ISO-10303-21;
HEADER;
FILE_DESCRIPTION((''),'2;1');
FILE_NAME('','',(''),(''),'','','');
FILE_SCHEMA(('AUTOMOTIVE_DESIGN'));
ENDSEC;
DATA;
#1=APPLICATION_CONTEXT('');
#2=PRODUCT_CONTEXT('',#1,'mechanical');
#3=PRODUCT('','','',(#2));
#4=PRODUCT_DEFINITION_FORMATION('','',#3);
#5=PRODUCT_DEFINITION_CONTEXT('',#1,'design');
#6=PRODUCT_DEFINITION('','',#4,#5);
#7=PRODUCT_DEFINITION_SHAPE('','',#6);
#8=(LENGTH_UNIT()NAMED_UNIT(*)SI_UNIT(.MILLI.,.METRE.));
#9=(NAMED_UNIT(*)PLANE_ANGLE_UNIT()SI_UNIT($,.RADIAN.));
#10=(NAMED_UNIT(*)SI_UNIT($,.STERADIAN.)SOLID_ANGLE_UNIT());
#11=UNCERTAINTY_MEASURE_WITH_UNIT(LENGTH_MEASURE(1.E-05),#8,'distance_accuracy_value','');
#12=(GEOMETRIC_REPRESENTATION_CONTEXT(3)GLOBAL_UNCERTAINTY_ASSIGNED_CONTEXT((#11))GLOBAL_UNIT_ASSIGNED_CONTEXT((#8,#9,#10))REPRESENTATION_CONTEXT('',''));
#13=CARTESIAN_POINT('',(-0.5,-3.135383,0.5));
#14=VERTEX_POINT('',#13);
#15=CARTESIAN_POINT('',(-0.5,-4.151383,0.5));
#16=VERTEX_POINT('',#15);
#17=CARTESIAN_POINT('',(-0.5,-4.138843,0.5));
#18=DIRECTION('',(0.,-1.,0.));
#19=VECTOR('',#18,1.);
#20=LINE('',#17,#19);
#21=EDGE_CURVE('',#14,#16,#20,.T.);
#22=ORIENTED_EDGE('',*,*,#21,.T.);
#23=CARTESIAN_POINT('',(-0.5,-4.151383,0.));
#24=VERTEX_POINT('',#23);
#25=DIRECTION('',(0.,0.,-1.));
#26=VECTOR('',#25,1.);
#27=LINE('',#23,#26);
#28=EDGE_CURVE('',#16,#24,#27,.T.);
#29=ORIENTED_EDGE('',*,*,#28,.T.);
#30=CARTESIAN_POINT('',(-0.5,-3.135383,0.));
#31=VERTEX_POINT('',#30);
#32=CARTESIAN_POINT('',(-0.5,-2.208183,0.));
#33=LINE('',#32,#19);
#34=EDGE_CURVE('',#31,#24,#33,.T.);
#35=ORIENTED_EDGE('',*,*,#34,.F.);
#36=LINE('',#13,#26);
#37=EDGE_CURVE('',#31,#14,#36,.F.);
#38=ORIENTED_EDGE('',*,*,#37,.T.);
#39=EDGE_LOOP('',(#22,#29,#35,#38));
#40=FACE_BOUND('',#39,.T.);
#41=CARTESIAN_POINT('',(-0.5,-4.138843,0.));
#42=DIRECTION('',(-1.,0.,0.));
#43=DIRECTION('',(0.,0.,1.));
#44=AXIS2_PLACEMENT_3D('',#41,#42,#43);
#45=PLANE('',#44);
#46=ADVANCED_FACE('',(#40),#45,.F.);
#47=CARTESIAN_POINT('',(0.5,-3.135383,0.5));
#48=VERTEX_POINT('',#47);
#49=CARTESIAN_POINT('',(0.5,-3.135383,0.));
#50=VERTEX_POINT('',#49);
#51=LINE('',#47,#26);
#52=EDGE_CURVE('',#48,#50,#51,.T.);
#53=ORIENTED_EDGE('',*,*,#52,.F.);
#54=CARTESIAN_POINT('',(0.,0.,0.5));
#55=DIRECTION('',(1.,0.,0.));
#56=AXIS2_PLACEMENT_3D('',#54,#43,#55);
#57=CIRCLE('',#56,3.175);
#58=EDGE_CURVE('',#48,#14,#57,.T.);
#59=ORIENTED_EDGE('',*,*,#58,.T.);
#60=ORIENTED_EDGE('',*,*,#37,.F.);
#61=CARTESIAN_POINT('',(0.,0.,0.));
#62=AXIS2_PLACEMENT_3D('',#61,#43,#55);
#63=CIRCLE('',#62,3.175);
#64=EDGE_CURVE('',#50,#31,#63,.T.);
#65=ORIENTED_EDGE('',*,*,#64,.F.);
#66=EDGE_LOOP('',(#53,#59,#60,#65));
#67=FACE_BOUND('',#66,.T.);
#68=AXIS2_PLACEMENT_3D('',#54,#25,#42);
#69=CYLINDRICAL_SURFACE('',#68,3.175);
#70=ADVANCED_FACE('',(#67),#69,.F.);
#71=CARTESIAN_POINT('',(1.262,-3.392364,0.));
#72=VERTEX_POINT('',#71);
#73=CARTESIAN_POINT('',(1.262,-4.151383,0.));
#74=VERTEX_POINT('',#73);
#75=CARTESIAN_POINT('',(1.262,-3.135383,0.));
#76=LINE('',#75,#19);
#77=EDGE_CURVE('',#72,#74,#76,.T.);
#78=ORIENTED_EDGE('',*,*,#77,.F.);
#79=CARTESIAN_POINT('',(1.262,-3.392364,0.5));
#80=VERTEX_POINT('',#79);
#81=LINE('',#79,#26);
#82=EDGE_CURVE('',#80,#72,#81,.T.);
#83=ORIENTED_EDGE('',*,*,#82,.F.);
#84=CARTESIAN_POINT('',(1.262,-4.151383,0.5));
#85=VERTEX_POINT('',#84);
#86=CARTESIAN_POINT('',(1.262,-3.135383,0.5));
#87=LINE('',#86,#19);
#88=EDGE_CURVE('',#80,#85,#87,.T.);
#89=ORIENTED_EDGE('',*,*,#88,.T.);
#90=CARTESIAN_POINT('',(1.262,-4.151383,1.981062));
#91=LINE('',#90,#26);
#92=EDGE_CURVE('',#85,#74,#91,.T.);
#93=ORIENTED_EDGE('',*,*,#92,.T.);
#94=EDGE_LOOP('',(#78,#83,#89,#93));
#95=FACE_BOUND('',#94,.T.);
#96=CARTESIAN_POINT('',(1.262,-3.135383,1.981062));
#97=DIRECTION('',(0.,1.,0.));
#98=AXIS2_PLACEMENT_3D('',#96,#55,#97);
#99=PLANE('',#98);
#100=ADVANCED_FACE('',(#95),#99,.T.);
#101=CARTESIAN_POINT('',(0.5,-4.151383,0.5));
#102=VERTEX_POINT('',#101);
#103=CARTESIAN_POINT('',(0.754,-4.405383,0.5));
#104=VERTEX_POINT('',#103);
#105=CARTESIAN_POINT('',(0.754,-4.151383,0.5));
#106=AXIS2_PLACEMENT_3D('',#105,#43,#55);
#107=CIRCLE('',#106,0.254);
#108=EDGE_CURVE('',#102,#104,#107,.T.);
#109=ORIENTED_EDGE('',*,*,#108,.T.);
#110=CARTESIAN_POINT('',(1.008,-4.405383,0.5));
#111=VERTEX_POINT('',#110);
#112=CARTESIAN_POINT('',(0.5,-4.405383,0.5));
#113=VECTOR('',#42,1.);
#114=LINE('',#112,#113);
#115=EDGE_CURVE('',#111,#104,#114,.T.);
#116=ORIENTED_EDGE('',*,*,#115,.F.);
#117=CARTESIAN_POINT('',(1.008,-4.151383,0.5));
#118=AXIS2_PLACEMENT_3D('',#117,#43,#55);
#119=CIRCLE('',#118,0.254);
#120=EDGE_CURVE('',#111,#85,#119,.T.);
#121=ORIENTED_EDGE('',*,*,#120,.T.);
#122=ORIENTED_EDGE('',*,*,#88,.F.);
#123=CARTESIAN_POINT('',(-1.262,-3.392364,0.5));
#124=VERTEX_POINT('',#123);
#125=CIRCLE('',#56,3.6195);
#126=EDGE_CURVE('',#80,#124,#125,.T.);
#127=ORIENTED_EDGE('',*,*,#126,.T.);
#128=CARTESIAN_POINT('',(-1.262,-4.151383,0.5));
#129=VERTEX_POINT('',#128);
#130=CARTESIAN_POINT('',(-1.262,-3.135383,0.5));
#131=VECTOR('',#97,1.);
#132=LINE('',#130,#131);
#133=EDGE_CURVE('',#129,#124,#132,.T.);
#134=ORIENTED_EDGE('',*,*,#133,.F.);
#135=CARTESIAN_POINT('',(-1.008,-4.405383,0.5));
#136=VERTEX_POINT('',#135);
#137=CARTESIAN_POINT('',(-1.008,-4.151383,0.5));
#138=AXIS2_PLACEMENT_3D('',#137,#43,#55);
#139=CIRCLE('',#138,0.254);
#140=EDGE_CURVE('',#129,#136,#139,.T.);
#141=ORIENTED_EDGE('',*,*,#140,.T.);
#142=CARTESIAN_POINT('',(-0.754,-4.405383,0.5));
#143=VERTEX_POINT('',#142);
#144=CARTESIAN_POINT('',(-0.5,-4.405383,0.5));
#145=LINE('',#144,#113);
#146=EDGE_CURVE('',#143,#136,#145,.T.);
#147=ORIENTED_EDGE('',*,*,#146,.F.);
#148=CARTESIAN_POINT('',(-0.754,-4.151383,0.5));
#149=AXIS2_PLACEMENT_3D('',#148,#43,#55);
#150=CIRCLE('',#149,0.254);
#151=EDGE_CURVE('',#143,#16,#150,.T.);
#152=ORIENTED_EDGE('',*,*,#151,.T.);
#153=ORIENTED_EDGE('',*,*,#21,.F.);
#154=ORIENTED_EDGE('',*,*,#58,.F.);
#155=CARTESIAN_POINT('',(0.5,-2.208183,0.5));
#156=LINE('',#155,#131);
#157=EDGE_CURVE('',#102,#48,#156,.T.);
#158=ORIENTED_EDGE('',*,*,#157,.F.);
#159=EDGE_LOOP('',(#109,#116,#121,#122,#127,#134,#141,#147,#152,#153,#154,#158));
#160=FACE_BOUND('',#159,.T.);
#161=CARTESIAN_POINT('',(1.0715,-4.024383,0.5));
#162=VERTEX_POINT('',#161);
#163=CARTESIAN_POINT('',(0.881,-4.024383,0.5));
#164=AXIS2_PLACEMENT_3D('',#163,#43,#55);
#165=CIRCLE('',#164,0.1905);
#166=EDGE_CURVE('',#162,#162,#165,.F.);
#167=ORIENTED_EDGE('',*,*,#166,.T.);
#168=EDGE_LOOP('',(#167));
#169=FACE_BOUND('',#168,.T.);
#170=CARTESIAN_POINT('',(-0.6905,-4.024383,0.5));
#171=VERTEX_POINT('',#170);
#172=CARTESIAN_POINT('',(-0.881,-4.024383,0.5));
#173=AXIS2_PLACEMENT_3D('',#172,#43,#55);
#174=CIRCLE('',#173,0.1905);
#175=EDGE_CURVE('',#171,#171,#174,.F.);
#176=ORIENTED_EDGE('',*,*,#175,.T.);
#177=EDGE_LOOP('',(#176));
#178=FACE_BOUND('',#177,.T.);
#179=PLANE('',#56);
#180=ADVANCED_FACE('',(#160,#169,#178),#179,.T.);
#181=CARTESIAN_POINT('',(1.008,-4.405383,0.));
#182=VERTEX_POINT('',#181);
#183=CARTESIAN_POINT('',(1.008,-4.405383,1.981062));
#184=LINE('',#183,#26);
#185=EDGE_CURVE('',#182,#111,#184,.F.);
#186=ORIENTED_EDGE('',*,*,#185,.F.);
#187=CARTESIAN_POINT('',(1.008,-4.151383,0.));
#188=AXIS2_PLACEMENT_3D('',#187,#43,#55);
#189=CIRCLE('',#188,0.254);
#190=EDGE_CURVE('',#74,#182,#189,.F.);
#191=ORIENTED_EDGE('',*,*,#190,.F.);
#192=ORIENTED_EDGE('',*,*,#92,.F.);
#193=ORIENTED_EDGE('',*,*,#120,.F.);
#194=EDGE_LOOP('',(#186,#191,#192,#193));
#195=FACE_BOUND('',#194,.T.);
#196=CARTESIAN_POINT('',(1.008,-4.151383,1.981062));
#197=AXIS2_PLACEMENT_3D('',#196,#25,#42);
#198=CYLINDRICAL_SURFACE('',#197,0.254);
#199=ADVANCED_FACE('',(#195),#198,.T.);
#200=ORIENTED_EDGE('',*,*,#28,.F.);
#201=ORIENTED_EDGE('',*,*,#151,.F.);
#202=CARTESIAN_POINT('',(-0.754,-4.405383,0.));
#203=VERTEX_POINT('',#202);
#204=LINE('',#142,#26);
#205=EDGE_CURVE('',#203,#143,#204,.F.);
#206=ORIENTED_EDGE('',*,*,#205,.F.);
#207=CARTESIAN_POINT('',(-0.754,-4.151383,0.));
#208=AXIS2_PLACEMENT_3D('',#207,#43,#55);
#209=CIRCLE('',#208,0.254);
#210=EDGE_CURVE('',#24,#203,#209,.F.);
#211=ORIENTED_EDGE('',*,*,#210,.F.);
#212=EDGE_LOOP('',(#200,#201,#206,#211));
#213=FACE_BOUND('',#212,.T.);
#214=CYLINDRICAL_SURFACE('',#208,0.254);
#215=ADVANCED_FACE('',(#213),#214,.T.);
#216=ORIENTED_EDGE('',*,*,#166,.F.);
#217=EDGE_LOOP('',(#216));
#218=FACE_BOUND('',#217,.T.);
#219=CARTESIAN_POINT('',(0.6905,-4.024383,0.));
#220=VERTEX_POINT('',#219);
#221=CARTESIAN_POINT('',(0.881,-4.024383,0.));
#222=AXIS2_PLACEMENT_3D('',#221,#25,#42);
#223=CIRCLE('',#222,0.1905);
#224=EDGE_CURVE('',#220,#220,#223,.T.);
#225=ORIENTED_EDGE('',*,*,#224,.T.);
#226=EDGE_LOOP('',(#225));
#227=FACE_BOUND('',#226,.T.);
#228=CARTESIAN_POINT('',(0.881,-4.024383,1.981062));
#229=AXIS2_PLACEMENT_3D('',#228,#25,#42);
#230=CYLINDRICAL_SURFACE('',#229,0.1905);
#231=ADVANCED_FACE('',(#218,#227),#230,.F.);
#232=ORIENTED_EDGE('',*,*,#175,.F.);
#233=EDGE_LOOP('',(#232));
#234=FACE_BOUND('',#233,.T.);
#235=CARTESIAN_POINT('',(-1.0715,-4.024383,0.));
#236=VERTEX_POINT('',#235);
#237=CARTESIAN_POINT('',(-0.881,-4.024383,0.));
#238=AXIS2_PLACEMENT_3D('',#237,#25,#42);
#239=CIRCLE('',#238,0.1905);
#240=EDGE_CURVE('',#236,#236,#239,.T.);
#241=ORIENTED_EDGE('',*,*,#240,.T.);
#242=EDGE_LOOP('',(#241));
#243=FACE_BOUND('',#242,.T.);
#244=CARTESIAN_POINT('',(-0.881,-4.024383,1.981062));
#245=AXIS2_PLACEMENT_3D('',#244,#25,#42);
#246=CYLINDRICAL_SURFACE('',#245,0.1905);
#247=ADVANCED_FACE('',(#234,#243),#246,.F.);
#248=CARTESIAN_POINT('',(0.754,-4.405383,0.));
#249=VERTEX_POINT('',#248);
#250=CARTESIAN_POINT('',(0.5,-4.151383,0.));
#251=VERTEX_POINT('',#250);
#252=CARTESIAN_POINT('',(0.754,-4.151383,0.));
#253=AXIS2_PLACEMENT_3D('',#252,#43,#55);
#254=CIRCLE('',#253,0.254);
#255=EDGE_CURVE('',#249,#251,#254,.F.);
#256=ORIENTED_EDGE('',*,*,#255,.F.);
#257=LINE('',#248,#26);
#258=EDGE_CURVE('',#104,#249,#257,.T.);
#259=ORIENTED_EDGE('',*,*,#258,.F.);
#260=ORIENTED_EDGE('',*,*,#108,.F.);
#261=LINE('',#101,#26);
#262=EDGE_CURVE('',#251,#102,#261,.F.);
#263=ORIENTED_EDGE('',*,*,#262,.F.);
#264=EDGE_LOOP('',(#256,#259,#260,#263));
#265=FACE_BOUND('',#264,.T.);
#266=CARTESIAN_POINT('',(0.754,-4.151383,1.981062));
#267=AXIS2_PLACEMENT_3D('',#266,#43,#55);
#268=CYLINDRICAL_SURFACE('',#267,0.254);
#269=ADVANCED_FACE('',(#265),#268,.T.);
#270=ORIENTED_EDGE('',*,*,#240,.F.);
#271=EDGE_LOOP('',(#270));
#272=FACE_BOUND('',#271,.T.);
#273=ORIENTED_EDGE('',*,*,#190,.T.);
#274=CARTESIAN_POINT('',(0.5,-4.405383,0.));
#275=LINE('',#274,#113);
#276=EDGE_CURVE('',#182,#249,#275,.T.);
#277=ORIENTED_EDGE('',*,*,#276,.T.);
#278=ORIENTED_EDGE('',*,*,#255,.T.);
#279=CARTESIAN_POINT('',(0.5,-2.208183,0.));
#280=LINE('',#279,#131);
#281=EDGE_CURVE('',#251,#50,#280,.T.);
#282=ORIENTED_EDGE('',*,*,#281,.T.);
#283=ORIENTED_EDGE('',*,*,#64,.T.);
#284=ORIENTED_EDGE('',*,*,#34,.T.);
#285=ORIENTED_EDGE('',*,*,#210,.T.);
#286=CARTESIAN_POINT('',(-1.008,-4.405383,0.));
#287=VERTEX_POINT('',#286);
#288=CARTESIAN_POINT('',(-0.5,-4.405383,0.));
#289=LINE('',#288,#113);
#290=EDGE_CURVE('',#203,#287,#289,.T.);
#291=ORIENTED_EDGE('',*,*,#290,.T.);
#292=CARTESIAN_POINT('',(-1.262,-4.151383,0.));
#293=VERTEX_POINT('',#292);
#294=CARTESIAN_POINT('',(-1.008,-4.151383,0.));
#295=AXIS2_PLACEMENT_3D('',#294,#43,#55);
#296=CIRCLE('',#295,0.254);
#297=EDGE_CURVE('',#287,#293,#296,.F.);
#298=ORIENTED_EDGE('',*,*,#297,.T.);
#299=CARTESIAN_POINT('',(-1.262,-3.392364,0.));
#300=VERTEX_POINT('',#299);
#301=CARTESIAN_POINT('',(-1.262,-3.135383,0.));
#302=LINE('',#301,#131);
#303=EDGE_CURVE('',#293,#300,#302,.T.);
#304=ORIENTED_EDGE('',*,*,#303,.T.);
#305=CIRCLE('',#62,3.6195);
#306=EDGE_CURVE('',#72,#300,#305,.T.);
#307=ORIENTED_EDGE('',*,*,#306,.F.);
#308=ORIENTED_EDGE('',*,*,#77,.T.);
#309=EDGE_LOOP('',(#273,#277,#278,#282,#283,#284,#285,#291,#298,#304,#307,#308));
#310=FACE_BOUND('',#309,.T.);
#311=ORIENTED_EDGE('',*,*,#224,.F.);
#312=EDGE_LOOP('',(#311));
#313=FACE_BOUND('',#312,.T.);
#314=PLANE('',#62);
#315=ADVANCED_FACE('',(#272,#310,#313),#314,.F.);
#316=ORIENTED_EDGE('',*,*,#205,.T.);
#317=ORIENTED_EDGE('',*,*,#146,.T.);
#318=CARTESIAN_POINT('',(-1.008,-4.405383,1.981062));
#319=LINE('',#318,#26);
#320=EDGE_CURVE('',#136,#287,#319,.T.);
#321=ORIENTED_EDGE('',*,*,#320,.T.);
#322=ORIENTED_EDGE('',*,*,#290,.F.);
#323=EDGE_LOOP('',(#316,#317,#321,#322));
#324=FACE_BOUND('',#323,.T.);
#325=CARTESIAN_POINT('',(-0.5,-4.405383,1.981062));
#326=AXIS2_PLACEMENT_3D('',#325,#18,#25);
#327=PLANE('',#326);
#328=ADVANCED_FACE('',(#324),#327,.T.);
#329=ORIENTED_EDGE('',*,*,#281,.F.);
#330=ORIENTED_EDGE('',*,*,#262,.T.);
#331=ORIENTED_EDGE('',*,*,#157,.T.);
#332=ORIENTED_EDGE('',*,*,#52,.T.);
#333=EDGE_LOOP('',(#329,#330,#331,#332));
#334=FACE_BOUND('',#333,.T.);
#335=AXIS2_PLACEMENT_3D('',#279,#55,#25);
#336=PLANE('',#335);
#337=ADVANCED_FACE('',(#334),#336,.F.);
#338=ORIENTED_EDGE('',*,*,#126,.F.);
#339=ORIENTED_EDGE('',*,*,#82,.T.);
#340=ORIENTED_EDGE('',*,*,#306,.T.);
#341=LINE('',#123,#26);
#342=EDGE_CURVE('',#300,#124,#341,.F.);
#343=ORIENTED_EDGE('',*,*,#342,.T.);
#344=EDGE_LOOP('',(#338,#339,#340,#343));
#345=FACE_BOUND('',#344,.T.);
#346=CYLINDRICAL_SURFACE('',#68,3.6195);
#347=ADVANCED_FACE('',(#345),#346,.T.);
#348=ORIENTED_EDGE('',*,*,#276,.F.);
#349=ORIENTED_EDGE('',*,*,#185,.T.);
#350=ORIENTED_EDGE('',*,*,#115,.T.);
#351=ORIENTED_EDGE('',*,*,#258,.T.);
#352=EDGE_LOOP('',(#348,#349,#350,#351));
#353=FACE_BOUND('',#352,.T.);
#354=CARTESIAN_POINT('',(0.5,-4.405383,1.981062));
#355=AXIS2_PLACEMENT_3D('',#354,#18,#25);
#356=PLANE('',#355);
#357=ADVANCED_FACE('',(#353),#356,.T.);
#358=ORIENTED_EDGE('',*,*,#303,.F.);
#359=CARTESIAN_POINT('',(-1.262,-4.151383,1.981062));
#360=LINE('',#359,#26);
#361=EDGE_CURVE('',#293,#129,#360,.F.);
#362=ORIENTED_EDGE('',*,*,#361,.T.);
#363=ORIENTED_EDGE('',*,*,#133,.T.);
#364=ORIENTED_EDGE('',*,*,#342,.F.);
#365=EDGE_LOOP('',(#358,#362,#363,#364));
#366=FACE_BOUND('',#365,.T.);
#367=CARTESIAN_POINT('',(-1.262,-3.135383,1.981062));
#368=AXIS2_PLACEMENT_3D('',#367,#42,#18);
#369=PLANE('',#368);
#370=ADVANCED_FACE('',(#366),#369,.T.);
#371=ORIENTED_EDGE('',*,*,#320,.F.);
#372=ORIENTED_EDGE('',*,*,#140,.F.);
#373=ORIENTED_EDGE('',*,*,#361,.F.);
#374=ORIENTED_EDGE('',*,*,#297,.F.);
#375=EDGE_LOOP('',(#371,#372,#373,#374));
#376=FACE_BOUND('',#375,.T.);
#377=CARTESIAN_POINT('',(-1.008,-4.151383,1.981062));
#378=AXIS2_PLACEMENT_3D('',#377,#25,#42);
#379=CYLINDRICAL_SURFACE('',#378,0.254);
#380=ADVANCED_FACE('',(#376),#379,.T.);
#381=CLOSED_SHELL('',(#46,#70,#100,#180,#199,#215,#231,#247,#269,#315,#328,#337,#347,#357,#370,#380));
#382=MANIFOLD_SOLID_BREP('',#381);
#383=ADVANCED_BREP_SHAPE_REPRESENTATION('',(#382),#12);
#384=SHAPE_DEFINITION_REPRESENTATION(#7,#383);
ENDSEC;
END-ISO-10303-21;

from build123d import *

# Parameters (mm, degrees)
SKETCH1_R           = 3.6195
SKETCH1_R_2         = 3.175
BOSS_EXTRUDE1_DEPTH = 0.5
CUT_EXTRUDE1_DEPTH  = 6.143108058
SKETCH3_W           = 0.762
SKETCH3_H           = 1.27
SKETCH3_R           = 0.1905
BOSS_EXTRUDE2_DEPTH = 0.5
FILLET1_R           = 0.254


with BuildPart() as part:
    # Sketch1 → Boss-Extrude1 (new body)
    with BuildSketch(Plane.XY):
        Circle(SKETCH1_R)
        Circle(SKETCH1_R_2, mode=Mode.SUBTRACT)
    extrude(amount=BOSS_EXTRUDE1_DEPTH)

    # Sketch2 → Cut-Extrude1 (cut, through all)
    with BuildSketch(Plane.XY.offset(0.5)):
        Polygon((0.5, -2.208183393), (0.5, -4.13884283), (-0.5, -4.13884283), (-0.5, -2.208183393), (-0.5, 2.208183393), (0.5, 2.208183393), align=None)
    extrude(amount=-CUT_EXTRUDE1_DEPTH, mode=Mode.SUBTRACT)

    # Sketch3 → Boss-Extrude2 (add)
    # profile 1 of 2: a face of its own
    with BuildSketch(Plane(origin=(0, 0, 0), x_dir=(-1, 0, 0), z_dir=(0, 0, -1))):
        with Locations((0.881, -3.770382752)):
            Rectangle(SKETCH3_W, SKETCH3_H)
        with Locations((0.881, -4.024382752)):
            Circle(SKETCH3_R, mode=Mode.SUBTRACT)
    # profile 2 of 2: a face of its own
    with BuildSketch(Plane(origin=(0, 0, 0), x_dir=(-1, 0, 0), z_dir=(0, 0, -1))):
        with Locations((-0.881, -3.770382752)):
            Rectangle(SKETCH3_W, SKETCH3_H)
        with Locations((-0.881, -4.024382752)):
            Circle(SKETCH3_R, mode=Mode.SUBTRACT)
    extrude(amount=-BOSS_EXTRUDE2_DEPTH)

    # Fillet1
    fillet1_edges = [part.edges().sort_by_distance(p)[0] for p in [
        (-0.5, -4.405382752, 0.25),
        (-1.262, -4.405382752, 0.25),
        (1.262, -4.405382752, 0.25),
        (0.5, -4.405382752, 0.25),
    ]]
    fillet(fillet1_edges, radius=FILLET1_R)


solid = part.part
